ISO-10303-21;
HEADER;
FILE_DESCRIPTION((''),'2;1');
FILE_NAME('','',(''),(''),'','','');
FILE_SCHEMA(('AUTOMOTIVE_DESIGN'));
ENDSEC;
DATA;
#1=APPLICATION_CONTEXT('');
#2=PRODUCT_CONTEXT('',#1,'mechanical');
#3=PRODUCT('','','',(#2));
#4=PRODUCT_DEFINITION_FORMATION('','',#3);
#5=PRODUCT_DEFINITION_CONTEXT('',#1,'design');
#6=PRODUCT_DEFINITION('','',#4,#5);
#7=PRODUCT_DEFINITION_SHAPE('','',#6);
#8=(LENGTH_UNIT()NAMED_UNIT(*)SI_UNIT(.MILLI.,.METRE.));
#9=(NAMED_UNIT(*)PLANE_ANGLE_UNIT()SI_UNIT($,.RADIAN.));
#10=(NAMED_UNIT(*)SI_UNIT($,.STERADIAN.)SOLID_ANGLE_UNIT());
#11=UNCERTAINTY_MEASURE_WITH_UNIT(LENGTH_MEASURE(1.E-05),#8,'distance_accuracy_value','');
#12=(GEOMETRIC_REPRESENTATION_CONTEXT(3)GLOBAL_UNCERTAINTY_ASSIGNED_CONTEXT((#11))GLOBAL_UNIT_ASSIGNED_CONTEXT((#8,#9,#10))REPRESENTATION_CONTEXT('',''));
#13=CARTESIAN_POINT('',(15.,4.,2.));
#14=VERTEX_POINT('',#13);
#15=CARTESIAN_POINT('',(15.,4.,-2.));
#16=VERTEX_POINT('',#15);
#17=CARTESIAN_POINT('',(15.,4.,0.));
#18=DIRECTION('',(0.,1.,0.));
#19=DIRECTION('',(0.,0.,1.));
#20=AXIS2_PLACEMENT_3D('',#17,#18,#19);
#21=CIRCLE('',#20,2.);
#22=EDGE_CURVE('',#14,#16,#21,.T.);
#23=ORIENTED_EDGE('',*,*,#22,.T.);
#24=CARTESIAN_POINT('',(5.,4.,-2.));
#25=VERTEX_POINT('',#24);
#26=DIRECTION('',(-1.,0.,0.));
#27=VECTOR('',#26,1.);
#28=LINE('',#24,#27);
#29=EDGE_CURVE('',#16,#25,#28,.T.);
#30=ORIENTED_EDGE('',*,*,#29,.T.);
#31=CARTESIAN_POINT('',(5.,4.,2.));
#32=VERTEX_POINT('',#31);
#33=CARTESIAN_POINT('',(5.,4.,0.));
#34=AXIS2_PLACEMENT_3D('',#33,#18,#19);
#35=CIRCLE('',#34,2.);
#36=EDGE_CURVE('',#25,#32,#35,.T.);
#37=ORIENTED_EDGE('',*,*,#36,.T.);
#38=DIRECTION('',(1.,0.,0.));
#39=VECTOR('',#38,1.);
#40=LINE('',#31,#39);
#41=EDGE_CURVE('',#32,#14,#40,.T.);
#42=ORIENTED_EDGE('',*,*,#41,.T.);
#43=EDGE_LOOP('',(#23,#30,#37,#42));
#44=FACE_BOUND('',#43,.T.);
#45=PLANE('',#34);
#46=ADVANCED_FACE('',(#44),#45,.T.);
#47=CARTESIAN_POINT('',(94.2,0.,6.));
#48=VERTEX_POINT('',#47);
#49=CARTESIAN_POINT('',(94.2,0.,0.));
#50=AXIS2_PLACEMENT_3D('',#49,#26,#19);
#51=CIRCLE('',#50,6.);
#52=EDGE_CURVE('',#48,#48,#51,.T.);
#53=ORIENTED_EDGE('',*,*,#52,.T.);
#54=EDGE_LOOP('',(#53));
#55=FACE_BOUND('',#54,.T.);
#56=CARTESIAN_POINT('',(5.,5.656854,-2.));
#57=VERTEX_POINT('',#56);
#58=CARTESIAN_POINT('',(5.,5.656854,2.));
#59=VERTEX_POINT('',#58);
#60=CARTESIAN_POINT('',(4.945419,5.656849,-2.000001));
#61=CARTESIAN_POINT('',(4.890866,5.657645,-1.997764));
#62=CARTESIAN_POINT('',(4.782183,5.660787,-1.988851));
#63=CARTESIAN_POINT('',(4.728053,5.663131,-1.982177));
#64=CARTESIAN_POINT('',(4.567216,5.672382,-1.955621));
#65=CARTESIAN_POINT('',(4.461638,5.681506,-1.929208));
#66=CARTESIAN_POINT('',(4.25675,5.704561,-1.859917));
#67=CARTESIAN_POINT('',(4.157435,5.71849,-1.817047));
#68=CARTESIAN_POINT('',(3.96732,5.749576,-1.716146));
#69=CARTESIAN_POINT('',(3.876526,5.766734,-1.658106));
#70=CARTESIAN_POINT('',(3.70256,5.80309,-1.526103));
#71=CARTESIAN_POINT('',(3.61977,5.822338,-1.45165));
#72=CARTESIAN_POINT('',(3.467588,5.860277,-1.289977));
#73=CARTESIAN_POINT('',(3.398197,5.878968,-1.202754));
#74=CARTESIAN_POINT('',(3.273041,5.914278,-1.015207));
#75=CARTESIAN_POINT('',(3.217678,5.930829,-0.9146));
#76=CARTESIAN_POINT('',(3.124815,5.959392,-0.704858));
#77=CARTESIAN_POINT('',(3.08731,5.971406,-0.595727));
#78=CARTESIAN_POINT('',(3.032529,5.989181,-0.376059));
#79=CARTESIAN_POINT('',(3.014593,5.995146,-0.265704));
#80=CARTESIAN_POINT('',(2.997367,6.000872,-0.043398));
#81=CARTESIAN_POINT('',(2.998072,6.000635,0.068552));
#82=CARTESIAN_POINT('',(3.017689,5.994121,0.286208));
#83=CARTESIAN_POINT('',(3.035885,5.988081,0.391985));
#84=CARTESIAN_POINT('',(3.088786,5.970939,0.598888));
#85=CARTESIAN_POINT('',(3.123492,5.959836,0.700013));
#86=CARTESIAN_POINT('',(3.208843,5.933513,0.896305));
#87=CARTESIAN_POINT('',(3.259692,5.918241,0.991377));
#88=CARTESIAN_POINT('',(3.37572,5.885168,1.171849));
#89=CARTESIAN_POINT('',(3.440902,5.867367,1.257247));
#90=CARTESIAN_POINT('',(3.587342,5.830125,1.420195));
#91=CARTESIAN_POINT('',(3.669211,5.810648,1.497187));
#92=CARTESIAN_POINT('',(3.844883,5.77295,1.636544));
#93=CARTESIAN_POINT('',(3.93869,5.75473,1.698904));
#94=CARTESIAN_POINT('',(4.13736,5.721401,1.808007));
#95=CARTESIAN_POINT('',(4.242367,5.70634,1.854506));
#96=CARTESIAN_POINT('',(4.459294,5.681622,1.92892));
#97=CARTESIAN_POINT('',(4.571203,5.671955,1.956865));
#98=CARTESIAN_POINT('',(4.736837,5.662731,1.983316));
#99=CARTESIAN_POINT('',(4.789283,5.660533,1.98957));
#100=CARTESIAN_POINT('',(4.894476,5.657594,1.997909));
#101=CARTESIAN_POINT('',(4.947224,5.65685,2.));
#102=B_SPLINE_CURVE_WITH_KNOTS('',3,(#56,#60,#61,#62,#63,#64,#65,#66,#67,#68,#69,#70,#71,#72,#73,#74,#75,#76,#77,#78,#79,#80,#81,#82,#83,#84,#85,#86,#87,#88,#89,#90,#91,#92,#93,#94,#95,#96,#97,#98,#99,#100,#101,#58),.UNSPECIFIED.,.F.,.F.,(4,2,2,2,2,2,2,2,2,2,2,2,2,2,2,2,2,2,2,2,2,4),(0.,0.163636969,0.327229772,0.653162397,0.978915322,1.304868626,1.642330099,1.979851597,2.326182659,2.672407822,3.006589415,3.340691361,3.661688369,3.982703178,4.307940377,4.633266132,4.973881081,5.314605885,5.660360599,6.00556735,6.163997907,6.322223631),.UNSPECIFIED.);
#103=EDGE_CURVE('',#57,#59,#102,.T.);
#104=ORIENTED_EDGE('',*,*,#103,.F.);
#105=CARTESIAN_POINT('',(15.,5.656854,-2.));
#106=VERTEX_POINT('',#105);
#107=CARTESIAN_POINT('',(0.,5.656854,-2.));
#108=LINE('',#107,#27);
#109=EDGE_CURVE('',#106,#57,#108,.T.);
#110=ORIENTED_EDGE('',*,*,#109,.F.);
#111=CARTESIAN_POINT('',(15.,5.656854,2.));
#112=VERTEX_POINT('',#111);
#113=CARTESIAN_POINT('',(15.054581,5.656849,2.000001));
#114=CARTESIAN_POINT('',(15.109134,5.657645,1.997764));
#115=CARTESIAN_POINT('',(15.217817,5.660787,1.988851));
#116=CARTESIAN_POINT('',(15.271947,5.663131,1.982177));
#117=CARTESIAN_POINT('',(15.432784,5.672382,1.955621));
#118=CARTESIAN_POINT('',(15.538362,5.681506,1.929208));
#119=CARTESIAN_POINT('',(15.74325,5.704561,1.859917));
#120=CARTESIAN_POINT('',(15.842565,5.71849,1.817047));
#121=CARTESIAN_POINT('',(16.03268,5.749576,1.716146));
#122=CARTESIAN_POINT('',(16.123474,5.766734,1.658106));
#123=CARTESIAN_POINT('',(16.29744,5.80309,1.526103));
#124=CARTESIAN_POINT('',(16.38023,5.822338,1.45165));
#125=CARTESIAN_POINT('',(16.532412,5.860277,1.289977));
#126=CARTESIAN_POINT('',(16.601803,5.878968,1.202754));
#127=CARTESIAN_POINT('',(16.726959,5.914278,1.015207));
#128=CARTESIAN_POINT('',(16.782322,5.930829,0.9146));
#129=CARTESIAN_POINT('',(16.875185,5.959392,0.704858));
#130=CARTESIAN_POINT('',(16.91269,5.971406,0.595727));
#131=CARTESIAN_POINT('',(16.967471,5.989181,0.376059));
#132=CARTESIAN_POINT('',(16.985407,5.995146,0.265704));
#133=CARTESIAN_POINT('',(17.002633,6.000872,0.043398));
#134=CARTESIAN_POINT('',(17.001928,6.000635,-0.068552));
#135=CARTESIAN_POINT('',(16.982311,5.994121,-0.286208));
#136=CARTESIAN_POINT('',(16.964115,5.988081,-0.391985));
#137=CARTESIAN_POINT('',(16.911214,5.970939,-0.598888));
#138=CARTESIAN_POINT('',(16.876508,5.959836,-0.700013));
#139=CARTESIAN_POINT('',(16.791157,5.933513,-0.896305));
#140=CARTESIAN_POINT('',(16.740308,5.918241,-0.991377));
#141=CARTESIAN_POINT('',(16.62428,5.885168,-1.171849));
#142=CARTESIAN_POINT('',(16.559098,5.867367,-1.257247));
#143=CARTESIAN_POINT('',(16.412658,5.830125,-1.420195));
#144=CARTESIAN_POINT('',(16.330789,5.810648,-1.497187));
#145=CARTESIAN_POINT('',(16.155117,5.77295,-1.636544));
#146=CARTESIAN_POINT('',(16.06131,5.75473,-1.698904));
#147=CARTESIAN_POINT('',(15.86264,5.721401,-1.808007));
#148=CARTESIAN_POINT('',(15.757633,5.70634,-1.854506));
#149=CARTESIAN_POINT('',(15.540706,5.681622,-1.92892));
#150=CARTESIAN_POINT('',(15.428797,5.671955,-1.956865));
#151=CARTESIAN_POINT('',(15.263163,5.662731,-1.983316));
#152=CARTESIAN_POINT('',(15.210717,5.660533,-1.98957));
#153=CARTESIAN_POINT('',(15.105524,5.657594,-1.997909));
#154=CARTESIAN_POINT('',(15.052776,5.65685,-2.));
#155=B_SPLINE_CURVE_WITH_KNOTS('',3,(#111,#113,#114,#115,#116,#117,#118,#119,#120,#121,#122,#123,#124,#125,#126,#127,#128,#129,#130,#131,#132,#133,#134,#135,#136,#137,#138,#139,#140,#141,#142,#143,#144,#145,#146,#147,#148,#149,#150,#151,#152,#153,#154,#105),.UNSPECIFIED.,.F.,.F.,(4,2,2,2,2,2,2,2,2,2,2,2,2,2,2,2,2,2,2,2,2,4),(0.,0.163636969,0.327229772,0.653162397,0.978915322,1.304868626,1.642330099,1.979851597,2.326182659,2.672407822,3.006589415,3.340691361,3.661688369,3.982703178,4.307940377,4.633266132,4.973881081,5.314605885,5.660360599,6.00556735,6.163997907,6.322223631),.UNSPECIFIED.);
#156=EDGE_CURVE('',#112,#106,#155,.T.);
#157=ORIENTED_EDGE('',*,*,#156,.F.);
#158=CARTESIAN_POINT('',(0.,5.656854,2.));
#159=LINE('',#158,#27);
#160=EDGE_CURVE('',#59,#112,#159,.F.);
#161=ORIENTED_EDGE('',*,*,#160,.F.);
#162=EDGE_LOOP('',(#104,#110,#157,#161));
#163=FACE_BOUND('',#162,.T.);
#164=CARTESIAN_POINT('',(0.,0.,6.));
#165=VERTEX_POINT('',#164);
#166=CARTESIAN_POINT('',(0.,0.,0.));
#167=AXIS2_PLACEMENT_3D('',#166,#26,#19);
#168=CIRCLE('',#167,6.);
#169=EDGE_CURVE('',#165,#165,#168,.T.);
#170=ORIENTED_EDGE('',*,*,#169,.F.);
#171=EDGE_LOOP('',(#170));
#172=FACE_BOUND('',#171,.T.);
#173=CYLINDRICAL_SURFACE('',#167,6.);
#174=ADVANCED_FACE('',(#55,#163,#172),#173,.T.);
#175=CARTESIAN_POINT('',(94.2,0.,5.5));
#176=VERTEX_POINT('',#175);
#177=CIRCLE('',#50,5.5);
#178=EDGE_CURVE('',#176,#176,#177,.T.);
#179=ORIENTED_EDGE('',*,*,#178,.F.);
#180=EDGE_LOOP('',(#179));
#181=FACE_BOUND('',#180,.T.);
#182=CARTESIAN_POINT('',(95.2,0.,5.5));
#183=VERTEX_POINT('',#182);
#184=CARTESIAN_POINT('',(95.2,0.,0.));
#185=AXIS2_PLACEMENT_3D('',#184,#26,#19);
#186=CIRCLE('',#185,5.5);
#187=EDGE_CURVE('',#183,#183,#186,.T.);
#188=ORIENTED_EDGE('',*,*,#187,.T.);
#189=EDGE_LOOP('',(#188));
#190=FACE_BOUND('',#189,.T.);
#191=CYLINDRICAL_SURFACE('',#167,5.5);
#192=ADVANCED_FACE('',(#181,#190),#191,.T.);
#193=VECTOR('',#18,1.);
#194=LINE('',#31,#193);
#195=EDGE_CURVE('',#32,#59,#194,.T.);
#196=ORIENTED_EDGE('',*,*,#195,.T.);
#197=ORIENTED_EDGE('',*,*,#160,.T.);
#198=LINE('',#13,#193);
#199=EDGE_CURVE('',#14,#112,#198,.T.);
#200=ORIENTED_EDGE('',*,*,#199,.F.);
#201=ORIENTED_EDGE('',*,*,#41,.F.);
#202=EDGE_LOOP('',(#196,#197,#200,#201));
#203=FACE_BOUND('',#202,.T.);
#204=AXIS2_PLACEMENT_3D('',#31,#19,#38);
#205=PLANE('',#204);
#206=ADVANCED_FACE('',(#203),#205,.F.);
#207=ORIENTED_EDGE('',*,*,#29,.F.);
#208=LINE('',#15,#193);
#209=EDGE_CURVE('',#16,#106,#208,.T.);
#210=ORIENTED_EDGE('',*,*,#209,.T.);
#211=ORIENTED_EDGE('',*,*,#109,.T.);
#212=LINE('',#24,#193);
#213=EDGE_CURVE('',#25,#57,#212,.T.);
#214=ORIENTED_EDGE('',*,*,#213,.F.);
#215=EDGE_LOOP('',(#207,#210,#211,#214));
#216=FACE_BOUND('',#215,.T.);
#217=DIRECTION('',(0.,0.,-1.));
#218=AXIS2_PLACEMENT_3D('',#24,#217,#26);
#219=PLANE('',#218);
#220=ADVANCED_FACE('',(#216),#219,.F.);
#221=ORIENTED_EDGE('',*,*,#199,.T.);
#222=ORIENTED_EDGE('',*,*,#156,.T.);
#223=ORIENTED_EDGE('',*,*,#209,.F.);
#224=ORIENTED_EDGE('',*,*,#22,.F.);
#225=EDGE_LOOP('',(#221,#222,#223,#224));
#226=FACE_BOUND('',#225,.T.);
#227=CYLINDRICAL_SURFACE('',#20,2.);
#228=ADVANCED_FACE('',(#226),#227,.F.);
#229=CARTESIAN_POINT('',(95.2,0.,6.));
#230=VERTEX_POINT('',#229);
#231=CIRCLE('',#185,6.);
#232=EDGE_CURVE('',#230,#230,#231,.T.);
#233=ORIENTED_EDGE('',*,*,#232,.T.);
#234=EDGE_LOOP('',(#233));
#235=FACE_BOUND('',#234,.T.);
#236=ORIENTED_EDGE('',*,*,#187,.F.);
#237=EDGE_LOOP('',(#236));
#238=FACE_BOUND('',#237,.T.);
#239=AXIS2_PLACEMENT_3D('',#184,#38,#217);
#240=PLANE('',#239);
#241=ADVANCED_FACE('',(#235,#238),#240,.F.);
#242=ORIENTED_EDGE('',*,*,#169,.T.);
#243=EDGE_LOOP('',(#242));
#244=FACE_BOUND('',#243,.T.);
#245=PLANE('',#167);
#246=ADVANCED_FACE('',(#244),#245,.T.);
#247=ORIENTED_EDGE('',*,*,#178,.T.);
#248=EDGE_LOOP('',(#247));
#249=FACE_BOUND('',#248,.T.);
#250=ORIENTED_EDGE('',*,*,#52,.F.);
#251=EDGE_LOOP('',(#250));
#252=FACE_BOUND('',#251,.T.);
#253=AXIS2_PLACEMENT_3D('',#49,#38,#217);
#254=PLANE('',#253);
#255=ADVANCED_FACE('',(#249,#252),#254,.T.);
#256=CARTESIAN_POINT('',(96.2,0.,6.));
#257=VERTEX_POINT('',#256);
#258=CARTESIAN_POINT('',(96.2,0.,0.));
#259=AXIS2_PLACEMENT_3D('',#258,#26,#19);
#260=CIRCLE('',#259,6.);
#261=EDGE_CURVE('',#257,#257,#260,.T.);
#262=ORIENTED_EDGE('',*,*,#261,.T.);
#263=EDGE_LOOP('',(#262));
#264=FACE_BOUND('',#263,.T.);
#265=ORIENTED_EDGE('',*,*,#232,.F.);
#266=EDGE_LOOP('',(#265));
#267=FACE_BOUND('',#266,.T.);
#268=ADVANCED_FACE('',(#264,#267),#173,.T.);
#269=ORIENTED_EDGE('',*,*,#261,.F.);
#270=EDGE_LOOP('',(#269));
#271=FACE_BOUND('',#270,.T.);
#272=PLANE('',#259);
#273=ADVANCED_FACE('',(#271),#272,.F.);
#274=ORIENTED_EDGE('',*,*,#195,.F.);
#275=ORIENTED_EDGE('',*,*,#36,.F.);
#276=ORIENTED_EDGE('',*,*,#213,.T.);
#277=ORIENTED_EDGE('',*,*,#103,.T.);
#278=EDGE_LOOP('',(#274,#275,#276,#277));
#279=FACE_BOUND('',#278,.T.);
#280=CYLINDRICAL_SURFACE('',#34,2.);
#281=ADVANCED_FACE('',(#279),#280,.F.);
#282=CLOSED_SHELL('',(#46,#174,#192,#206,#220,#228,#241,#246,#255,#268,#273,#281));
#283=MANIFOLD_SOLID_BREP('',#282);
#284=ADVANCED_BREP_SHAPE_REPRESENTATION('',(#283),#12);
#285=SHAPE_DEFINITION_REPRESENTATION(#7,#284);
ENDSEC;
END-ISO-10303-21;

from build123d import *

# Parameters (mm, degrees)
CUT_EXTRUDE_1_DEPTH = 2


with BuildPart() as part:
    # ｽｹｯﾁ2 → 回転1 (revolve)
    with BuildSketch(Plane.XY, mode=Mode.PRIVATE) as revolve_1_sk:
        Polygon((0, 6), (0, 0), (96.2, 0), (96.2, 6), (95.2, 6), (95.2, 5.5), (94.2, 5.5), (94.2, 6), (2, 6), (1, 6), align=None)
    revolve(revolve_1_sk.sketch.rotate(Axis((0, 0, 0), (1, 0, 0)), 90), axis=Axis((0, 0, 0), (1, 0, 0)))

    # ｽｹｯﾁ4 → ｶｯﾄ - 押し出し1 (cut)
    with BuildSketch(Plane(origin=(0, 6, 0), x_dir=(1, 0, 0), z_dir=(0, 1, 0))):
        with BuildLine():
            Line((5, 2), (15, 2))
            ThreePointArc((15, 2), (17, 0), (15, -2))
            Line((15, -2), (5, -2))
            ThreePointArc((5, -2), (3, 0), (5, 2))
        make_face()
    extrude(amount=-CUT_EXTRUDE_1_DEPTH, mode=Mode.SUBTRACT)


solid = part.part
